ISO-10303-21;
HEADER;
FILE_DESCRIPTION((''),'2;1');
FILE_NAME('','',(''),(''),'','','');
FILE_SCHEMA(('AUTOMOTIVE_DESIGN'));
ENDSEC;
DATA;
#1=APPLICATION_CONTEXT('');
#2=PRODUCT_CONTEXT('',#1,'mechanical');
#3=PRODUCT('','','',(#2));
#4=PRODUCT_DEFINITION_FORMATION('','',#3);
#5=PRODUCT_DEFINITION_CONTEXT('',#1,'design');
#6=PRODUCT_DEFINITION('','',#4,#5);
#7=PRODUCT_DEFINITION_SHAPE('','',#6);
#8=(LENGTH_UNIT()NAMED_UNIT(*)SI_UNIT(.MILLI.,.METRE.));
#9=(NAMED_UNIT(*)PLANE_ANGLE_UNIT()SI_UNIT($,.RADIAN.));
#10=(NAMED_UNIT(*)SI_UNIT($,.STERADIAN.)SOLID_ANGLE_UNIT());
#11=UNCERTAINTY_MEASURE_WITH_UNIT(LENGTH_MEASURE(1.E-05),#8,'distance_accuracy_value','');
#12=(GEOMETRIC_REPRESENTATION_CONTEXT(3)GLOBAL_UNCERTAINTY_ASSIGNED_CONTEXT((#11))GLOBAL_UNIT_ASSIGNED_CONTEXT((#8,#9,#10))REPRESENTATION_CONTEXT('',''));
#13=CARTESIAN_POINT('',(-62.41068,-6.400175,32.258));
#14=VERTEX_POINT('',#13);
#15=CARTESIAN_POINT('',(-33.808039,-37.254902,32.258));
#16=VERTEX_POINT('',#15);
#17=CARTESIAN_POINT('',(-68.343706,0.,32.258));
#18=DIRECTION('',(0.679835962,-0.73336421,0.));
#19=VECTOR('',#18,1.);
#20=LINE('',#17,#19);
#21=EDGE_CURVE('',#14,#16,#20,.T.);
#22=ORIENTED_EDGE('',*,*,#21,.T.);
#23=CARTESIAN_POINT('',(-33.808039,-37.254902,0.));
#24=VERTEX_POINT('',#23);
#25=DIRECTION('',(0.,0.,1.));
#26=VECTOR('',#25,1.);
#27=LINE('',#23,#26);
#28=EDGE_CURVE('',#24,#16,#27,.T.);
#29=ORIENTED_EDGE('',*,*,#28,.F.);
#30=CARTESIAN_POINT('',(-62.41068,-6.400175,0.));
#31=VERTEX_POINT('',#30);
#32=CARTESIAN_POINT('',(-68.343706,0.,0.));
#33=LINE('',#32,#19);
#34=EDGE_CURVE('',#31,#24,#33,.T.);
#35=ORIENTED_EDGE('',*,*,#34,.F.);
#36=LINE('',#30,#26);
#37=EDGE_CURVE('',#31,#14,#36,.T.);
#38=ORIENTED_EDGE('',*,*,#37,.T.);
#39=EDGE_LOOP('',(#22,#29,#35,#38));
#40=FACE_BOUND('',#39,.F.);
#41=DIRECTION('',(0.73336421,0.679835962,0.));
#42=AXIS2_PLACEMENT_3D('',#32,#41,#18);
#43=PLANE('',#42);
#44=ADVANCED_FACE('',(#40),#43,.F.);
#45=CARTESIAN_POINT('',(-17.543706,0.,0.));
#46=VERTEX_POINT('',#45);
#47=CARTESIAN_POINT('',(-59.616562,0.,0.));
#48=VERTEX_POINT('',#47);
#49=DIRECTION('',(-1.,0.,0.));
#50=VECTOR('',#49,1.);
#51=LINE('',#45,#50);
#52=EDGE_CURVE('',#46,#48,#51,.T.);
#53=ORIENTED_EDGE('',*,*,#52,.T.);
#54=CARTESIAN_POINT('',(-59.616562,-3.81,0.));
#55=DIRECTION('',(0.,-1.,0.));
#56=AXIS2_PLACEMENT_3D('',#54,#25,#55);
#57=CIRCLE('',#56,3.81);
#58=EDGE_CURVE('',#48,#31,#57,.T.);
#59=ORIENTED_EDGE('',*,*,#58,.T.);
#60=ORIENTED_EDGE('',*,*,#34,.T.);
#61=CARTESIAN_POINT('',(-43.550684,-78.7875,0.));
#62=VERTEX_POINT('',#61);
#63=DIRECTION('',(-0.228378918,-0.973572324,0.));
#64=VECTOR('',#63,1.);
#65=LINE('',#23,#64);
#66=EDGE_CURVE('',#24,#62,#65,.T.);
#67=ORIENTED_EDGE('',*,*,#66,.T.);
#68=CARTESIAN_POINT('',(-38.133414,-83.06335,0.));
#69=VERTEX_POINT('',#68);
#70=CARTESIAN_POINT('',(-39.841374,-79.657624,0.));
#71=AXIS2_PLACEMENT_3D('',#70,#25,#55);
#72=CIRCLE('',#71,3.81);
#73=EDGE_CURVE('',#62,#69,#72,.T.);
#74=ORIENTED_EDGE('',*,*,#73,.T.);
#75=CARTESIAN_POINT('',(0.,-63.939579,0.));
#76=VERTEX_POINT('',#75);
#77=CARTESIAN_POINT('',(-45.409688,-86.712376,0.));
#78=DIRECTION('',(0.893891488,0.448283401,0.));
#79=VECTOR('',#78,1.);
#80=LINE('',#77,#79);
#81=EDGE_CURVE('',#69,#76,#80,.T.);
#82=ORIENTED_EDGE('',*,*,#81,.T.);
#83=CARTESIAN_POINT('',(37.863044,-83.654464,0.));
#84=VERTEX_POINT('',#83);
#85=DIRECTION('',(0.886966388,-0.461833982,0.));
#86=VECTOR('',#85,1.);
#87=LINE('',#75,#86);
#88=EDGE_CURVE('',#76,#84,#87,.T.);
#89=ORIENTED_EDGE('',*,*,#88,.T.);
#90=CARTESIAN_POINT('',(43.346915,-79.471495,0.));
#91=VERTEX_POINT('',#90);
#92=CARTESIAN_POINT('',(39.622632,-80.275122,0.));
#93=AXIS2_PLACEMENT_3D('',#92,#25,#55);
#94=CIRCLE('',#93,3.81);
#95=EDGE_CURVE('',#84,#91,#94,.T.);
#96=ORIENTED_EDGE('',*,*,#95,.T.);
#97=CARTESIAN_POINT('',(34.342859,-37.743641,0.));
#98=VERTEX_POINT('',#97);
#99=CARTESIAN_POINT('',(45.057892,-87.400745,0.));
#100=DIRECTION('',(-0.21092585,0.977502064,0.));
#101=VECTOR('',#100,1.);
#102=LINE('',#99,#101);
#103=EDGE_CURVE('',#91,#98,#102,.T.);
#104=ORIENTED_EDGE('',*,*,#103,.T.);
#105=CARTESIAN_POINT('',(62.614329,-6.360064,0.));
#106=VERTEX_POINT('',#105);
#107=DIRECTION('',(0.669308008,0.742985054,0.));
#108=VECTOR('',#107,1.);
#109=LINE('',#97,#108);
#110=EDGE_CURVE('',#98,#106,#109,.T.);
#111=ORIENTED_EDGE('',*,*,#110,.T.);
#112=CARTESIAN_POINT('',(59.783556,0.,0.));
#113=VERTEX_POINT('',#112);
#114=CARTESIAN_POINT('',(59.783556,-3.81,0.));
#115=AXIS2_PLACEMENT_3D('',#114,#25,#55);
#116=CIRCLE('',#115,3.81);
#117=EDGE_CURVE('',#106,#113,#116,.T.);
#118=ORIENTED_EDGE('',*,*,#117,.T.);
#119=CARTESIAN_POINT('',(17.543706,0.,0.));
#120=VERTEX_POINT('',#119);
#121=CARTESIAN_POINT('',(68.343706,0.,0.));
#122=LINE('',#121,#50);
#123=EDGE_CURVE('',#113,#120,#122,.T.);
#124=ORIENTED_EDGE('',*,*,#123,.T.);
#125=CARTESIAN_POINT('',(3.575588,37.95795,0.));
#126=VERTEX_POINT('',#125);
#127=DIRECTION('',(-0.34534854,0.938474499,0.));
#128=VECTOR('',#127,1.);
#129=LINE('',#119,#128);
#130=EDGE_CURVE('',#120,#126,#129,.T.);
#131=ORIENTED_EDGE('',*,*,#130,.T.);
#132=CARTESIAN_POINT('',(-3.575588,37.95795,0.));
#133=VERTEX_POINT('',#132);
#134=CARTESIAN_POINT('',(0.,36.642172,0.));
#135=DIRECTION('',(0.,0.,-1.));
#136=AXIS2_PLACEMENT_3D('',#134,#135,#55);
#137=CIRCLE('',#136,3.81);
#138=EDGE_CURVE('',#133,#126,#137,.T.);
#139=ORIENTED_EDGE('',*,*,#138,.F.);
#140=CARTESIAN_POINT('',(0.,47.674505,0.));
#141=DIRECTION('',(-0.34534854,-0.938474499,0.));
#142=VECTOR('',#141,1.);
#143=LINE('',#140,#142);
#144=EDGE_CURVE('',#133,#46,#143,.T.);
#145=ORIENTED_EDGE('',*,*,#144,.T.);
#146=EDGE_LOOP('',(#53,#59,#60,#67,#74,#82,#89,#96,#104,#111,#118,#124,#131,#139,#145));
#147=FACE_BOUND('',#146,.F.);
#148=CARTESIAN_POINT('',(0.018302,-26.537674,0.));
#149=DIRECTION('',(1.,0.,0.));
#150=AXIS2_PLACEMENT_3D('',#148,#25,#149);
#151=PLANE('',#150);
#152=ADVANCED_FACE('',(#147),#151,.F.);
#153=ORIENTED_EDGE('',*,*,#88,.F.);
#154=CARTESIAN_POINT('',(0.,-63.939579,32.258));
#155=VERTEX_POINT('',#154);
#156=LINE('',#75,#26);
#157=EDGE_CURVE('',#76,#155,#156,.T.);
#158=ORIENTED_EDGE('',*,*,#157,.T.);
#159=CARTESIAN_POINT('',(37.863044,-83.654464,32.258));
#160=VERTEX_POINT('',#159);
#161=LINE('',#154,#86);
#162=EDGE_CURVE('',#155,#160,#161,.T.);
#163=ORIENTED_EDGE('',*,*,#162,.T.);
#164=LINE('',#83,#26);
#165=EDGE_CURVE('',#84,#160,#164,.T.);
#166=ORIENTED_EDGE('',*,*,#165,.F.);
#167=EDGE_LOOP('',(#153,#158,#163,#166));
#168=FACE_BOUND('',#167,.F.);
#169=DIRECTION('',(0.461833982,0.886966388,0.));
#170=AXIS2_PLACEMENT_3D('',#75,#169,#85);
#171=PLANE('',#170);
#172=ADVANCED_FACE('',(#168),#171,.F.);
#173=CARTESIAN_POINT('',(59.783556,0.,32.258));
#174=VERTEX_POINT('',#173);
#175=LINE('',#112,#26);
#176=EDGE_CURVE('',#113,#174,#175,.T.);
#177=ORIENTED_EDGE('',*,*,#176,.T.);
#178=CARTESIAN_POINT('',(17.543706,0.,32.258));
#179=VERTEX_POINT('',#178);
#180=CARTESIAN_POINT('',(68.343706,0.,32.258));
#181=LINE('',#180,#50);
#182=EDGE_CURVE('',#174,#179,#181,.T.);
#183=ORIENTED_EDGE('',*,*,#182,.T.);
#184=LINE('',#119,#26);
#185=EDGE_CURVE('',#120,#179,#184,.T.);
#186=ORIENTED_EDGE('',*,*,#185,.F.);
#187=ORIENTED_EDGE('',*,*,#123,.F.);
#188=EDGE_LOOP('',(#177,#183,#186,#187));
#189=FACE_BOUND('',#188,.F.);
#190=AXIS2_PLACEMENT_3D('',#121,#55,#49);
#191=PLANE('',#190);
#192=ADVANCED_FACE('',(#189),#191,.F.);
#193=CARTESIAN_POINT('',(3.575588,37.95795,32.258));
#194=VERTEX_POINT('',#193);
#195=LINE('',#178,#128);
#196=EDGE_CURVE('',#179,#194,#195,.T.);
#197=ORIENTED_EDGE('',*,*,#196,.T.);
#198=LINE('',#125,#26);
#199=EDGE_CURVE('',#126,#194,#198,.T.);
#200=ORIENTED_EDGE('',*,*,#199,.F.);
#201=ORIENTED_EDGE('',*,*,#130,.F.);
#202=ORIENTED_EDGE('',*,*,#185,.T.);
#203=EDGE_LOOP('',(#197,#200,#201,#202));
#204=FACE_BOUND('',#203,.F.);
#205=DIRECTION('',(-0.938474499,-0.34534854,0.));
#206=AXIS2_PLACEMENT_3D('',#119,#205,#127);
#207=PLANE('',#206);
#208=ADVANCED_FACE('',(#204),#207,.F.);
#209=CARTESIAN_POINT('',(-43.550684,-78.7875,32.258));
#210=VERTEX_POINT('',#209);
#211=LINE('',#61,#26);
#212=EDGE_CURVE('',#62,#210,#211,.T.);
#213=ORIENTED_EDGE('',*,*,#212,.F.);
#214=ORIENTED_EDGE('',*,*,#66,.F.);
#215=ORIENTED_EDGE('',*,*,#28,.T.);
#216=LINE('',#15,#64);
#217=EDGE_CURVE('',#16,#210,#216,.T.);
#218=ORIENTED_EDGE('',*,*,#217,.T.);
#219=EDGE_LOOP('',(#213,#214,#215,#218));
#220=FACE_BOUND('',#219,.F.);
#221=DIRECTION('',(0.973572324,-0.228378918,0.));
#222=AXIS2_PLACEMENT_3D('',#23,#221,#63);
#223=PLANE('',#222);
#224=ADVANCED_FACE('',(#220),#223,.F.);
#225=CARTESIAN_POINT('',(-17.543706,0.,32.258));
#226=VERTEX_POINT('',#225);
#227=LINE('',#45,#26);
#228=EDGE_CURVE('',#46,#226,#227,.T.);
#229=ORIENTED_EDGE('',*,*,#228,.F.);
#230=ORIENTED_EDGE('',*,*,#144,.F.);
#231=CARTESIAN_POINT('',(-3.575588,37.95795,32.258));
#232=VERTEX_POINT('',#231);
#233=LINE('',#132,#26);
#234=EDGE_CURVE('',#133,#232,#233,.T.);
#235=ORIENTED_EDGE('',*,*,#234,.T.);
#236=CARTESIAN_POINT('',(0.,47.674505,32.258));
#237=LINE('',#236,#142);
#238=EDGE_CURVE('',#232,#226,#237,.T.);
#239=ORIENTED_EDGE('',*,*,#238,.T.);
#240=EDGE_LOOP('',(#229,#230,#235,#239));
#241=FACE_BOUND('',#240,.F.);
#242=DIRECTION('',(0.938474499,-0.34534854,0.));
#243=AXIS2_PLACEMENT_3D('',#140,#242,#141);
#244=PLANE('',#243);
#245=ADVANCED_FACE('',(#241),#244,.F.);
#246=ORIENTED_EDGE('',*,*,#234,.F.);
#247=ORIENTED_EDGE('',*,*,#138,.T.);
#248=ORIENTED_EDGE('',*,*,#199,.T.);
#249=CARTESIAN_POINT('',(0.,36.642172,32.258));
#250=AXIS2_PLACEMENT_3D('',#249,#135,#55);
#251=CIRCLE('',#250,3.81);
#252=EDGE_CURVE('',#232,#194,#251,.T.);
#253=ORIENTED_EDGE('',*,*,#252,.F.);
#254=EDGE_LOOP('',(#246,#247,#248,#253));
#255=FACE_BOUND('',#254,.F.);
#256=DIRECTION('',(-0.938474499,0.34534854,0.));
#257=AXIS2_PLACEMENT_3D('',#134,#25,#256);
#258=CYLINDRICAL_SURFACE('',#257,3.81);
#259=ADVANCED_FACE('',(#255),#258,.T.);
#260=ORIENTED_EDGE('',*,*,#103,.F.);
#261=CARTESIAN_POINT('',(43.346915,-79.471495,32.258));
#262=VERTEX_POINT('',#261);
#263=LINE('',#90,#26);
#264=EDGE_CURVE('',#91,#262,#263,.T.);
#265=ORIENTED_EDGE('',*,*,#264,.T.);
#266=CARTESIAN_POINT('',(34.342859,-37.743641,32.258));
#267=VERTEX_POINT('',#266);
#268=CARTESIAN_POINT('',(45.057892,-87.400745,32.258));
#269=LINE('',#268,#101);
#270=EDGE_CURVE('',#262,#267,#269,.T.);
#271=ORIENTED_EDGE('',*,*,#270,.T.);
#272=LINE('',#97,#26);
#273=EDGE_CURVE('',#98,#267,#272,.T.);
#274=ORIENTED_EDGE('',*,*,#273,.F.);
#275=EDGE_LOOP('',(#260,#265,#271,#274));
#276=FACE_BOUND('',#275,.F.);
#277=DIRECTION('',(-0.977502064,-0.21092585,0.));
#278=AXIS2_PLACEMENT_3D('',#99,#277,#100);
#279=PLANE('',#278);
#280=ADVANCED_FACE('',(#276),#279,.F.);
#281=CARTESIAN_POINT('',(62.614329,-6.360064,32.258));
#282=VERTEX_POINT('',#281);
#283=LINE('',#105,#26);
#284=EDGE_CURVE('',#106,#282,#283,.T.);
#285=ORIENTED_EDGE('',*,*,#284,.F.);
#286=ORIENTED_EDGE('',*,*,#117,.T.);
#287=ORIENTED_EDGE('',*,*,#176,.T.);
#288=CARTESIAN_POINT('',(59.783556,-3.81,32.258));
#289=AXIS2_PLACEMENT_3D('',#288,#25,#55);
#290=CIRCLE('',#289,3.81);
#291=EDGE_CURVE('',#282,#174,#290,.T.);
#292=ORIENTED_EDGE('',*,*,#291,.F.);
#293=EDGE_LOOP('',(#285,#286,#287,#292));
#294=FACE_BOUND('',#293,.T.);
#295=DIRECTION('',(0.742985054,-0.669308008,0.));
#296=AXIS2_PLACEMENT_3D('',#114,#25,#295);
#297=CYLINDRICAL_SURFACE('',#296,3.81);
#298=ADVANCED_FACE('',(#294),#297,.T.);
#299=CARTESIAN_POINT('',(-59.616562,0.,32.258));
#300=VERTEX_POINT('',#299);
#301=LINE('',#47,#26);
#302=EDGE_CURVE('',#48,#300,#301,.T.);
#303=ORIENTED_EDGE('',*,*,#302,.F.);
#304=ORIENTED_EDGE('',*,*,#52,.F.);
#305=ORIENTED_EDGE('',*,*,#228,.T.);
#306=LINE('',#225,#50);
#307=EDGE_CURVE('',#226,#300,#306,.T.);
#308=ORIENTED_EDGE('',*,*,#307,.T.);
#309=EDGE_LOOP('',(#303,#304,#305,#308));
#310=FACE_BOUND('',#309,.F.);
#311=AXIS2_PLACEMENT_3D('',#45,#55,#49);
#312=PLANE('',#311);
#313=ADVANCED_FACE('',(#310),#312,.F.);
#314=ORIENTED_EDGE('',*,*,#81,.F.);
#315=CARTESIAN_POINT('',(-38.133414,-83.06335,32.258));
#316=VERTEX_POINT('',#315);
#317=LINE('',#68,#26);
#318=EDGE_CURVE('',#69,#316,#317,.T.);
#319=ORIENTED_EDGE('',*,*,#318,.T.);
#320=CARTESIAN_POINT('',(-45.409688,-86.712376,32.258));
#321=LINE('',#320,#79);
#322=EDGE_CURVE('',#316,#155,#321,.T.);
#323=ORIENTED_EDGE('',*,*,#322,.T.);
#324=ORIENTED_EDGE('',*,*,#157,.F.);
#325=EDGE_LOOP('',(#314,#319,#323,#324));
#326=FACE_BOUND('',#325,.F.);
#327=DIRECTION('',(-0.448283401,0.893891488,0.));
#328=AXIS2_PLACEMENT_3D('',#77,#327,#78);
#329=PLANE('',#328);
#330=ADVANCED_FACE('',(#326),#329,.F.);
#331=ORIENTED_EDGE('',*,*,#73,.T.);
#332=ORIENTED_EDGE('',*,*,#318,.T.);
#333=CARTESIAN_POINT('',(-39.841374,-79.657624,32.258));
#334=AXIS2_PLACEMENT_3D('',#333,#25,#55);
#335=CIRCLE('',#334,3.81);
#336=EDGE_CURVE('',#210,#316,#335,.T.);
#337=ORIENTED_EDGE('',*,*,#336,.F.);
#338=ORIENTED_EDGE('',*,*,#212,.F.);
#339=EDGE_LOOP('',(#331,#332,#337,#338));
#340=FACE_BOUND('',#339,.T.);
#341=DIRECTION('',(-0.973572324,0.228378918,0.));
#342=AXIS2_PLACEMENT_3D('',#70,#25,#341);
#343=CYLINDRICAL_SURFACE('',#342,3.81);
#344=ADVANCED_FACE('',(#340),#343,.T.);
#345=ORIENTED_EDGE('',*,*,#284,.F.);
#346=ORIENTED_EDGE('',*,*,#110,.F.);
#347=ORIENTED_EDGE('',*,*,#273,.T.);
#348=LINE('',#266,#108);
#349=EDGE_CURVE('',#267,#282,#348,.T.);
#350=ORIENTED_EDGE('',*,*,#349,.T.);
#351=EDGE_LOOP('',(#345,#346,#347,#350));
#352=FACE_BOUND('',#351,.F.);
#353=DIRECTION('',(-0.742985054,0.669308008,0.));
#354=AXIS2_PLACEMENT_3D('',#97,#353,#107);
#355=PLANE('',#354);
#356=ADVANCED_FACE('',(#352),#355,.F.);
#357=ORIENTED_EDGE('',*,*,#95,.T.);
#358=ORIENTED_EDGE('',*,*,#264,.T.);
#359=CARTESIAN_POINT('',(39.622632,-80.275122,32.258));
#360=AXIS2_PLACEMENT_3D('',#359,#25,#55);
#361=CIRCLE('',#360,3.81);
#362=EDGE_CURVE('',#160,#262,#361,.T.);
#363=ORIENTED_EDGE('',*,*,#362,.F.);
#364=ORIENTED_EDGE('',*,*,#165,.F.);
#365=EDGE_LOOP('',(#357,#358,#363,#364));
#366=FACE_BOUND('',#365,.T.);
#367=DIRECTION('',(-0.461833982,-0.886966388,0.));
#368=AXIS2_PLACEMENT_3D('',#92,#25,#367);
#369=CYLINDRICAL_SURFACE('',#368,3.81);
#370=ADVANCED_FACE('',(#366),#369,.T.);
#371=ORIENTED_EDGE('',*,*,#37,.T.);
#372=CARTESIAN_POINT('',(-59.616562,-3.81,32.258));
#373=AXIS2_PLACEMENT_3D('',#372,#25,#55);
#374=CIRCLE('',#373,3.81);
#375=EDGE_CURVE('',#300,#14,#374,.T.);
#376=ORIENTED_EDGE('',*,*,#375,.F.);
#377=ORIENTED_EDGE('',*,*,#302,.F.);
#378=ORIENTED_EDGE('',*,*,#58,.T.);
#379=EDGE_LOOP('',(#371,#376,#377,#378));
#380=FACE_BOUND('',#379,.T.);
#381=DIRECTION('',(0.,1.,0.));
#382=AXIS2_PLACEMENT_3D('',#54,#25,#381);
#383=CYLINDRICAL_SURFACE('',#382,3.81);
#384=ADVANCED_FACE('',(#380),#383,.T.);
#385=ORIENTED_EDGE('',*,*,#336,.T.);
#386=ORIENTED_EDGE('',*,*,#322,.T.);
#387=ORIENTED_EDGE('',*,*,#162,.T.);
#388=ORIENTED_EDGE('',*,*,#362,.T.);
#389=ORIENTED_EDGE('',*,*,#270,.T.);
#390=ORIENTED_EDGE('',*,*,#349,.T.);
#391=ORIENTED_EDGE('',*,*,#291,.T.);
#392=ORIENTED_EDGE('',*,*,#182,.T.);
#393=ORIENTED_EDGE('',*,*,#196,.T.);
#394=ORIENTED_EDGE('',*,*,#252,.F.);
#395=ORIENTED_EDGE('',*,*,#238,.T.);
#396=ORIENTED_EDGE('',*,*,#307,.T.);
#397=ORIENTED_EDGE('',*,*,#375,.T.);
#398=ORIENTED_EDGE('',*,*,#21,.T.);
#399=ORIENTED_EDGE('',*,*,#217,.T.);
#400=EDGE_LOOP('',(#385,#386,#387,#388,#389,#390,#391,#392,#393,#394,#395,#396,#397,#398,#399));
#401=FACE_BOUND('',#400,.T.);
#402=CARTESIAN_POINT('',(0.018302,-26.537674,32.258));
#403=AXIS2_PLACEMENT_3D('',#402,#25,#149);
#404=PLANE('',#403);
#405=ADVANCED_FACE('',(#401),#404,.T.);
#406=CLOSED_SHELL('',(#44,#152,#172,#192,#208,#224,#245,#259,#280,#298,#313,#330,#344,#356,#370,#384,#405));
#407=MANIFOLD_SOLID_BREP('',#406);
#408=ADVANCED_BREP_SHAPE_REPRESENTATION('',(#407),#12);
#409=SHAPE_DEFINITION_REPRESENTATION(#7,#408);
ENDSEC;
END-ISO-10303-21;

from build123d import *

# Parameters (mm, degrees)
F1_DEPTH = 32.258
F2_R     = 3.81


with BuildPart() as f1:
    # F0 (on Top) → F1 (new body)
    with BuildSketch(Plane.XY):
        Polygon((0, 47.674505), (-17.543706, 0), (-68.343706, 0), (-33.808039, -37.254902), (-45.409688, -86.712376), (0, -63.939579), (45.057892, -87.400745), (34.342859, -37.743641), (68.343706, 0), (17.543706, 0), align=None)
    extrude(amount=F1_DEPTH)

    # F2
    f2_edges = [f1.edges().sort_by_distance(p)[0] for p in [
        (45.057892, -87.400745, 16.129),
        (68.343706, 0, 16.129),
        (0, 47.674505, 16.129),
        (-45.409688, -86.712376, 16.129),
        (-68.343706, 0, 16.129),
    ]]
    fillet(f2_edges, radius=F2_R)


solid = f1.part
